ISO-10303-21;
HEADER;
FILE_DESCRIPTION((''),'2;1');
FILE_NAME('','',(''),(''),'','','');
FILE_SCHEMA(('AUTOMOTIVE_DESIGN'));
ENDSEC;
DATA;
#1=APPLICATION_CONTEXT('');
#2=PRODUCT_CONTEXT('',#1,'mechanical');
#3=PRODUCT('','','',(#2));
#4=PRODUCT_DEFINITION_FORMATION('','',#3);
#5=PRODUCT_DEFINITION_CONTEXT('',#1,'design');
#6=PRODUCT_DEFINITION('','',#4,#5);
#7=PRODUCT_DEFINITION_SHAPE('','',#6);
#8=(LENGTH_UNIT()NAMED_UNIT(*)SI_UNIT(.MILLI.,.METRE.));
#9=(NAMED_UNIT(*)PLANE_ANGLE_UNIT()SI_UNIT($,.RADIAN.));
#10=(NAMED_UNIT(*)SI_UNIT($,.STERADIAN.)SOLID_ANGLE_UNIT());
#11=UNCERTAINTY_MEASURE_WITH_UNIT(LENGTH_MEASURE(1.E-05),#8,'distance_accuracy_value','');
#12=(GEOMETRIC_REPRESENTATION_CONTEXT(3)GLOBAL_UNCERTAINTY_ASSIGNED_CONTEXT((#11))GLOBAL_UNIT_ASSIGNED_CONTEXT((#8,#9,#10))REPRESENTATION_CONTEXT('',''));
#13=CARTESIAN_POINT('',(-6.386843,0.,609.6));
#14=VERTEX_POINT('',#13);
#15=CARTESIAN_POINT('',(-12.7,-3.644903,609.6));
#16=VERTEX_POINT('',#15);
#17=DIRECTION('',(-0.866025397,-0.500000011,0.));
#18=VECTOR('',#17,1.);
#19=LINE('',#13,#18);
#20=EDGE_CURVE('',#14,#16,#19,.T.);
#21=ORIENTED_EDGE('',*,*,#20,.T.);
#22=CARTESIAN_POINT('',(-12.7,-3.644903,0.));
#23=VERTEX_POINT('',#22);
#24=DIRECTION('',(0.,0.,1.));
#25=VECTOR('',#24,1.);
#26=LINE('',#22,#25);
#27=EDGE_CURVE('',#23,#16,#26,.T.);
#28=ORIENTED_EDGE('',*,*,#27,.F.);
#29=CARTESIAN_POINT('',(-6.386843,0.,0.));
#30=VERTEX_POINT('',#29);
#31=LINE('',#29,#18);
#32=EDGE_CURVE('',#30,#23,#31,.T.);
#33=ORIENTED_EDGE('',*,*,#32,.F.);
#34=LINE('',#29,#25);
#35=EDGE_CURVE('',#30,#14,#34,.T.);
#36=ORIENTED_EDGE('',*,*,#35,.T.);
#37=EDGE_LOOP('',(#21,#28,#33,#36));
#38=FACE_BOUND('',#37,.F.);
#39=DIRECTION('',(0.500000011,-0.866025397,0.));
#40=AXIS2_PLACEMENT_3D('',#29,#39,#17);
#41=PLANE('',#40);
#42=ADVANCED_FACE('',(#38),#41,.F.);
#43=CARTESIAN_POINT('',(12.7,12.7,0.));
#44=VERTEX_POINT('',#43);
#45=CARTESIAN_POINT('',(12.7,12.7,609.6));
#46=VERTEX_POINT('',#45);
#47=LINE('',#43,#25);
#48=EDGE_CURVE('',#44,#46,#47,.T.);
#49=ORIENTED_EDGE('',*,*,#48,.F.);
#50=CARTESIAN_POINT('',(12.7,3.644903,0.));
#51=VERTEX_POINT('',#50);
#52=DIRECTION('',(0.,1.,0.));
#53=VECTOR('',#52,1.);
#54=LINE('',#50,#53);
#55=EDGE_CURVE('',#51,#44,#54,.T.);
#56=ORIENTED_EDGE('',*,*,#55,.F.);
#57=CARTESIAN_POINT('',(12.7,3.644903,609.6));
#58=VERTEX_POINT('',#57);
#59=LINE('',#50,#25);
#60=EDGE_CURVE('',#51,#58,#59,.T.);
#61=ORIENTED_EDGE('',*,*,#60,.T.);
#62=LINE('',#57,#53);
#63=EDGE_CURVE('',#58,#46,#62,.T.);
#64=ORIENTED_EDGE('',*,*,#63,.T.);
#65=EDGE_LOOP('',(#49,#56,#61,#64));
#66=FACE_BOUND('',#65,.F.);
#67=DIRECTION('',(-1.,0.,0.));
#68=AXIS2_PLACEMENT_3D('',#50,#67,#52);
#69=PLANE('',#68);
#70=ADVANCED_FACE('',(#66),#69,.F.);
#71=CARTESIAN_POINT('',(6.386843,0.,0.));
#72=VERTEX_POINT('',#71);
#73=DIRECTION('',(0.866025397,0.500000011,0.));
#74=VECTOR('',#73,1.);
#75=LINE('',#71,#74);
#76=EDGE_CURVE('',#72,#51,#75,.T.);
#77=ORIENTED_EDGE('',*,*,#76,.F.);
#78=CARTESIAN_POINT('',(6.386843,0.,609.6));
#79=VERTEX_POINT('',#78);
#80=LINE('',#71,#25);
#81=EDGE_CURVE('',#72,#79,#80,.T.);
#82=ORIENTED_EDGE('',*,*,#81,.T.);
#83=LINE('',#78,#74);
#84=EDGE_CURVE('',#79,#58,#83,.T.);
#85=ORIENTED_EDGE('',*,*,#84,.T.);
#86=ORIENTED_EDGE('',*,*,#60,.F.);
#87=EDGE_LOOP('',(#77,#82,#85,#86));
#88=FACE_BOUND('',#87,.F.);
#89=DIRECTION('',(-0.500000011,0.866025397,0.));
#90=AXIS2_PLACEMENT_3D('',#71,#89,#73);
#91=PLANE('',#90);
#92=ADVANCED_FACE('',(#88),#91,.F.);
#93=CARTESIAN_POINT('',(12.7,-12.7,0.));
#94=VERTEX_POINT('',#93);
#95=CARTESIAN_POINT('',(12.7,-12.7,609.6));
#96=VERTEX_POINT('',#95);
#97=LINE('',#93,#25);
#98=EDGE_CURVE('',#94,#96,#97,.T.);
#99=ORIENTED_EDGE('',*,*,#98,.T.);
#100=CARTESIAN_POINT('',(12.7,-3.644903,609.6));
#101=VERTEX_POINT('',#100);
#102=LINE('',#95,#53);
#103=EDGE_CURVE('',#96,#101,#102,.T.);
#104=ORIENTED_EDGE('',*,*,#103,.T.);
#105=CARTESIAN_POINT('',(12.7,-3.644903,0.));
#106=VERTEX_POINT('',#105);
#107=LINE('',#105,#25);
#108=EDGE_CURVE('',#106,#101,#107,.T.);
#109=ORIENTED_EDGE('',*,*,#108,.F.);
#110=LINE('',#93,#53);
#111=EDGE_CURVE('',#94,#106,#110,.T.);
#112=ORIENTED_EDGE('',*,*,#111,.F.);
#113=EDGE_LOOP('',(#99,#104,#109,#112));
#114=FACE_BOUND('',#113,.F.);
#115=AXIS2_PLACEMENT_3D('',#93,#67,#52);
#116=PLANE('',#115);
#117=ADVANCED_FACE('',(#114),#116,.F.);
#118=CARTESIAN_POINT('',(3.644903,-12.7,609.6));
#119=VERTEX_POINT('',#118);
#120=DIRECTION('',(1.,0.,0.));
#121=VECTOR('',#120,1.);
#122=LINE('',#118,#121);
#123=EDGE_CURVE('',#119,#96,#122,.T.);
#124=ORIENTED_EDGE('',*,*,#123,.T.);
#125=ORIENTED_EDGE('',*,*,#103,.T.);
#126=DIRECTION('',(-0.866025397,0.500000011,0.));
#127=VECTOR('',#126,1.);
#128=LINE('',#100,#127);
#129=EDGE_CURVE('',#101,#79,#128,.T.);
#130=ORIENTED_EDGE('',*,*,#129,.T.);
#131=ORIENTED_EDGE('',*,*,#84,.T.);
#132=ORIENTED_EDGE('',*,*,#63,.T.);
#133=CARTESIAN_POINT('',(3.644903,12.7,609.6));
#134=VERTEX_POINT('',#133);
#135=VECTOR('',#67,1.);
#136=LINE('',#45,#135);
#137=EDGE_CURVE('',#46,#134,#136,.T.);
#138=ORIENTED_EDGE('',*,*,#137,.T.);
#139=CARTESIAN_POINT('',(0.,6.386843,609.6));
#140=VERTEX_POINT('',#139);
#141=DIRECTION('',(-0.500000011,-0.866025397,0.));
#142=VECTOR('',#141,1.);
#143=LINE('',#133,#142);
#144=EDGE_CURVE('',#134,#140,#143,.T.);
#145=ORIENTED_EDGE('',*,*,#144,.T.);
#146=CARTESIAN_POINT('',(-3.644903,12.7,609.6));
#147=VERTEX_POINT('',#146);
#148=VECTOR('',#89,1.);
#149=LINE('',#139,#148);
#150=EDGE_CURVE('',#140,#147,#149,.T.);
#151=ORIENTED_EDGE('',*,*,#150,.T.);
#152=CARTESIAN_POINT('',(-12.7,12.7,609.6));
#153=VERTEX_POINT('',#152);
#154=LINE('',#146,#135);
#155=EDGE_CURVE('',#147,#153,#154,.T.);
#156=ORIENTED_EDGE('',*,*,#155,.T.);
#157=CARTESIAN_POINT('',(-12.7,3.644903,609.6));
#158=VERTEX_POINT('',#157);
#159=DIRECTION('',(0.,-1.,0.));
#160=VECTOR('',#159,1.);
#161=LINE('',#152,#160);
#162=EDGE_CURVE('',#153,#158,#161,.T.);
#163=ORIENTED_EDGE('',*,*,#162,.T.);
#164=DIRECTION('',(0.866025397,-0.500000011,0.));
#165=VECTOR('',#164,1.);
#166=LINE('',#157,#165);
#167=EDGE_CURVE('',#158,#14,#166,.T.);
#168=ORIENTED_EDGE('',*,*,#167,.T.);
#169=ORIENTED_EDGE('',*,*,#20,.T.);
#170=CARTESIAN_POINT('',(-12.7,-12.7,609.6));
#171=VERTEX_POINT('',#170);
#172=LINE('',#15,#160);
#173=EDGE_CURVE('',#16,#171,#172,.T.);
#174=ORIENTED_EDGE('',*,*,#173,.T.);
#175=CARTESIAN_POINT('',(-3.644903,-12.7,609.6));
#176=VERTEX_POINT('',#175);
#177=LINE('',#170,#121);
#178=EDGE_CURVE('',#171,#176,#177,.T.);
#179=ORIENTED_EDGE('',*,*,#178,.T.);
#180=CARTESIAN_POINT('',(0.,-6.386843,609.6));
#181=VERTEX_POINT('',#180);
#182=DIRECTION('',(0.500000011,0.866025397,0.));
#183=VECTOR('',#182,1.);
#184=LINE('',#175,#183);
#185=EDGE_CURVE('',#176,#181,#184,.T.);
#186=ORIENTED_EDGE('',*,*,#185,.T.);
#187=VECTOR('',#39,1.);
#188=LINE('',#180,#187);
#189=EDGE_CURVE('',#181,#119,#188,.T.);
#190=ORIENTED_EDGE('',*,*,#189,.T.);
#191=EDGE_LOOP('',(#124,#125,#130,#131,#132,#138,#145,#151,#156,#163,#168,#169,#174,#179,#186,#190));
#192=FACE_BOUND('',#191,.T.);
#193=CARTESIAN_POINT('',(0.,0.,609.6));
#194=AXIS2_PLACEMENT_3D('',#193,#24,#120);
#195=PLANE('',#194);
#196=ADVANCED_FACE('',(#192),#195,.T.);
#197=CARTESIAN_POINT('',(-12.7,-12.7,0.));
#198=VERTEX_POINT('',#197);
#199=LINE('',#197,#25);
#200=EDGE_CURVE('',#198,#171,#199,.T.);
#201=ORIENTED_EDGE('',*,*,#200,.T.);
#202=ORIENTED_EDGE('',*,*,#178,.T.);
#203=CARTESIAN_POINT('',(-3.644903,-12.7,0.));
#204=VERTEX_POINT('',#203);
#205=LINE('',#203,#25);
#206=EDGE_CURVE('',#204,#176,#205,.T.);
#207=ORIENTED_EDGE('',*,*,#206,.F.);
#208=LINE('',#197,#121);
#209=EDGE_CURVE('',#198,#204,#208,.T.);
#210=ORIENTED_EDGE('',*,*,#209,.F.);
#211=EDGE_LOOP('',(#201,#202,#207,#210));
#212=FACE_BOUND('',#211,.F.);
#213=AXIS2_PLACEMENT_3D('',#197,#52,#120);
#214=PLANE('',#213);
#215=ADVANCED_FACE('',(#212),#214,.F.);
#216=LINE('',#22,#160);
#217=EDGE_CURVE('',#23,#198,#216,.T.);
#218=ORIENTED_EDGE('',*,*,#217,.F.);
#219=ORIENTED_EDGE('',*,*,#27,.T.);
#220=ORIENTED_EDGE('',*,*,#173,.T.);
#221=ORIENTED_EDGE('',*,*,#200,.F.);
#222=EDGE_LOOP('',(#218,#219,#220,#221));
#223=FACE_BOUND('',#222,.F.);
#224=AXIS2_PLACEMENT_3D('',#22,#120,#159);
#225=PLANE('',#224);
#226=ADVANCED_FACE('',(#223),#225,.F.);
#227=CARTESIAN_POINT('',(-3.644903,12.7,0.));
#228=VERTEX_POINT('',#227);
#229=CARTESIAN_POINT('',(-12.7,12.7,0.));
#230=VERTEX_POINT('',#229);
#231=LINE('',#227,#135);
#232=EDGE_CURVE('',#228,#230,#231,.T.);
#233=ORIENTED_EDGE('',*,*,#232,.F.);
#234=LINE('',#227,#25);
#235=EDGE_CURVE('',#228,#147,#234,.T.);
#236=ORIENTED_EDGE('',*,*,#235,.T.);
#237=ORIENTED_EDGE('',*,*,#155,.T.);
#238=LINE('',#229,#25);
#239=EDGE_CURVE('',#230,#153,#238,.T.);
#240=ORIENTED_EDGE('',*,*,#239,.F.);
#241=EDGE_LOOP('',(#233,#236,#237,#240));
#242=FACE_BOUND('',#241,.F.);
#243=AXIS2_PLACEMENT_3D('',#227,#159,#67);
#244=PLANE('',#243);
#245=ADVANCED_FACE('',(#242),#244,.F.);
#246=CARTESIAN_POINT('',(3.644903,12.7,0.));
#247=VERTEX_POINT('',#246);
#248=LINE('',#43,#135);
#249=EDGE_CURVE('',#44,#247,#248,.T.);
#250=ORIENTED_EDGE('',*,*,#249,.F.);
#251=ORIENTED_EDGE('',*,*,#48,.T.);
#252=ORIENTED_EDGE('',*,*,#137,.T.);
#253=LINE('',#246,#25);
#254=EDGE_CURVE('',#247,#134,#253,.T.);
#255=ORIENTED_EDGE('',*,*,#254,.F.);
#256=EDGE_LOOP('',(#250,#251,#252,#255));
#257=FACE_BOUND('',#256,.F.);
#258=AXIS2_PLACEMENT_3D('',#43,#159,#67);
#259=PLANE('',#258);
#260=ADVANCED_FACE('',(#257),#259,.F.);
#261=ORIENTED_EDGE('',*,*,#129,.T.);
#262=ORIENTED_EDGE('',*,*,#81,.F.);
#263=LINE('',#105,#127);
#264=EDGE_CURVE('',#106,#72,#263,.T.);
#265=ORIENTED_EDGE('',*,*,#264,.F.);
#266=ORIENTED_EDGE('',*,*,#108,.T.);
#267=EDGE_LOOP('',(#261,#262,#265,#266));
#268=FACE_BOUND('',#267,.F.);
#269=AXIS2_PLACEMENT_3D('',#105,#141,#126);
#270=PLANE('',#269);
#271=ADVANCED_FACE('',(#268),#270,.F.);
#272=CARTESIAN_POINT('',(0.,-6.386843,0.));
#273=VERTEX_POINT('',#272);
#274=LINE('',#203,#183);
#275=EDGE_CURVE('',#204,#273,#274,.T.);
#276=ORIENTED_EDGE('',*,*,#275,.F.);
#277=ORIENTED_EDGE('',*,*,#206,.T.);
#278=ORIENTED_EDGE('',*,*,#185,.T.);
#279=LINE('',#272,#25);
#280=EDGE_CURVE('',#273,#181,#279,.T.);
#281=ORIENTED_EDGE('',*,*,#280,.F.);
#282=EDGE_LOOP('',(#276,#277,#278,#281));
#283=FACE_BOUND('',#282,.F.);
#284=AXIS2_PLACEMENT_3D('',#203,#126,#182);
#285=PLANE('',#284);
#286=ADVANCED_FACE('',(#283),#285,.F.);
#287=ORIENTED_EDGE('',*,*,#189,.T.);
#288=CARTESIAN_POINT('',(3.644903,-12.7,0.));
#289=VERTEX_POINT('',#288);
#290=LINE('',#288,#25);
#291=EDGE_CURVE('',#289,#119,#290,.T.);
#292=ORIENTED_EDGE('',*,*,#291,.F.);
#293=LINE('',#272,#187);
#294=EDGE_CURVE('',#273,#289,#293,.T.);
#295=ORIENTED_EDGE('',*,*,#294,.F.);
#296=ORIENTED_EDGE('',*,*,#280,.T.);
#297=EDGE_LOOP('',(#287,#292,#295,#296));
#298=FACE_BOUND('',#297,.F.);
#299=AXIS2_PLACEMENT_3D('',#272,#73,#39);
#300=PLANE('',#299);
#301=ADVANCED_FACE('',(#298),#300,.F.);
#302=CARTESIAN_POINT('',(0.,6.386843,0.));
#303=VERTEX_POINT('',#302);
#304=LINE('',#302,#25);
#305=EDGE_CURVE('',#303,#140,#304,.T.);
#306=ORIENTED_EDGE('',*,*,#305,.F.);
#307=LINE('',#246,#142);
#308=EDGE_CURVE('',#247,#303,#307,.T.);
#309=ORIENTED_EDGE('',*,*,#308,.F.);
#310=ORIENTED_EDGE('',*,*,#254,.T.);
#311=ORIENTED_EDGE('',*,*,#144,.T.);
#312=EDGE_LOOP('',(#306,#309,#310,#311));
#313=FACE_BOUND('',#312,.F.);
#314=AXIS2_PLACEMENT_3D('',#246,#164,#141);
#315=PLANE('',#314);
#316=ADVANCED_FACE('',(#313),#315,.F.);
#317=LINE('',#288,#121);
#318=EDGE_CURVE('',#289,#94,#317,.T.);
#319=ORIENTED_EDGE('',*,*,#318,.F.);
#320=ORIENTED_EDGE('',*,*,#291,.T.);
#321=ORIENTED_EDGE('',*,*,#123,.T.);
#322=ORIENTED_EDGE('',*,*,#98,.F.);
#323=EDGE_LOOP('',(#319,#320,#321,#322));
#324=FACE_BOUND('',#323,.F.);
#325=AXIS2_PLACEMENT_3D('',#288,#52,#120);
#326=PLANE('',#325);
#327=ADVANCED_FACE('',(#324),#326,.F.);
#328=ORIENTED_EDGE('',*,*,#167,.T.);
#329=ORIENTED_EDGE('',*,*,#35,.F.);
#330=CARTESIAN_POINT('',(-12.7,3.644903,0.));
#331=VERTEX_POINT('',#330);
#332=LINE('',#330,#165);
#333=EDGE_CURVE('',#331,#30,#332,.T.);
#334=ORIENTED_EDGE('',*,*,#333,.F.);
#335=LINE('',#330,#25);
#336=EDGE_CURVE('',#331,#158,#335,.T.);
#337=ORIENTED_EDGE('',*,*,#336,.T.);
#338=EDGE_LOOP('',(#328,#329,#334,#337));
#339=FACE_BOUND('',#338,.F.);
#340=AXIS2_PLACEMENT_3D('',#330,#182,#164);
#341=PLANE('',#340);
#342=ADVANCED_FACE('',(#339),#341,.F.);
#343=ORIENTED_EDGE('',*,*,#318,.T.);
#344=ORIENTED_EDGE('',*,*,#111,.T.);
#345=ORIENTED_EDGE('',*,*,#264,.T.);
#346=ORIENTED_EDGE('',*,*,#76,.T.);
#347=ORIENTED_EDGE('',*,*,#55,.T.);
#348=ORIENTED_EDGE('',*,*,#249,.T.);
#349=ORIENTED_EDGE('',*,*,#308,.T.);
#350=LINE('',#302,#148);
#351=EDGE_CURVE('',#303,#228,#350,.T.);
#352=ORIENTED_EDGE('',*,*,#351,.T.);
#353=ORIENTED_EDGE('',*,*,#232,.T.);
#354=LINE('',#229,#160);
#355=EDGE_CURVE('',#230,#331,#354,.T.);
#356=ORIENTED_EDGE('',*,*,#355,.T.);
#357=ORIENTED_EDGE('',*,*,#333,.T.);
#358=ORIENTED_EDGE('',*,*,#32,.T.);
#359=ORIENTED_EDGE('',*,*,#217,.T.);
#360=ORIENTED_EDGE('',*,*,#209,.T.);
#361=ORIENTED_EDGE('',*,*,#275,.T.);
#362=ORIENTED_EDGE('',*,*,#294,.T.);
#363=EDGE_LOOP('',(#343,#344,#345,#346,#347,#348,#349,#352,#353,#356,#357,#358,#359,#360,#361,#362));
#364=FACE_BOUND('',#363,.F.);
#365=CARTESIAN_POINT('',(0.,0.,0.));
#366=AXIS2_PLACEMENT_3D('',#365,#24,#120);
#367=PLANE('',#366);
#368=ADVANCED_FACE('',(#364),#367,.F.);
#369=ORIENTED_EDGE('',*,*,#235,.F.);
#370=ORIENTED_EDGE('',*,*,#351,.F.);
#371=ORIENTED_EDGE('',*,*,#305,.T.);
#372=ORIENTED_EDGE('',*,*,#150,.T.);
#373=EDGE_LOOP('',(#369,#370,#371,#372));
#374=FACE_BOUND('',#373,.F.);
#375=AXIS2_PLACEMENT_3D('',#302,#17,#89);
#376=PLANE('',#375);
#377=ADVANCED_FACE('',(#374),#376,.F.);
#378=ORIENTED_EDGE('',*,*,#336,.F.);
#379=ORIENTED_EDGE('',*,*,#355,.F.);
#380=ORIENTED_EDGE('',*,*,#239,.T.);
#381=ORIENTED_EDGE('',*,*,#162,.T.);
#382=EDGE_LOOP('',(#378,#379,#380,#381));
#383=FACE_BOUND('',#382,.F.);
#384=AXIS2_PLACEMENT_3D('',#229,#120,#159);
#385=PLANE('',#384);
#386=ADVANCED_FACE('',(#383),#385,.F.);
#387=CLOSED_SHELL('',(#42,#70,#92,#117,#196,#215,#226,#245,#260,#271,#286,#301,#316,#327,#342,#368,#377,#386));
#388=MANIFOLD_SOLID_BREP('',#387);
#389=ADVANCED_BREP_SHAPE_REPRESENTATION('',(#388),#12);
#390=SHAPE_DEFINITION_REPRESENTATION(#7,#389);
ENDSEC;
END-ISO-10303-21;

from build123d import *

# Parameters (mm, degrees)
F1_DEPTH = 609.6


with BuildPart() as f1:
    # F0 (on Top) → F1 (new body)
    with BuildSketch(Plane.XY):
        Polygon((3.644903, -12.7), (12.7, -12.7), (12.7, -3.644903), (6.386843, 0), (12.7, 3.644903), (12.7, 12.7), (3.644903, 12.7), (0, 6.386843), (-3.644903, 12.7), (-12.7, 12.7), (-12.7, 3.644903), (-6.386843, 0), (-12.7, -3.644903), (-12.7, -12.7), (-3.644903, -12.7), (0, -6.386843), align=None)
    extrude(amount=F1_DEPTH)


solid = f1.part
